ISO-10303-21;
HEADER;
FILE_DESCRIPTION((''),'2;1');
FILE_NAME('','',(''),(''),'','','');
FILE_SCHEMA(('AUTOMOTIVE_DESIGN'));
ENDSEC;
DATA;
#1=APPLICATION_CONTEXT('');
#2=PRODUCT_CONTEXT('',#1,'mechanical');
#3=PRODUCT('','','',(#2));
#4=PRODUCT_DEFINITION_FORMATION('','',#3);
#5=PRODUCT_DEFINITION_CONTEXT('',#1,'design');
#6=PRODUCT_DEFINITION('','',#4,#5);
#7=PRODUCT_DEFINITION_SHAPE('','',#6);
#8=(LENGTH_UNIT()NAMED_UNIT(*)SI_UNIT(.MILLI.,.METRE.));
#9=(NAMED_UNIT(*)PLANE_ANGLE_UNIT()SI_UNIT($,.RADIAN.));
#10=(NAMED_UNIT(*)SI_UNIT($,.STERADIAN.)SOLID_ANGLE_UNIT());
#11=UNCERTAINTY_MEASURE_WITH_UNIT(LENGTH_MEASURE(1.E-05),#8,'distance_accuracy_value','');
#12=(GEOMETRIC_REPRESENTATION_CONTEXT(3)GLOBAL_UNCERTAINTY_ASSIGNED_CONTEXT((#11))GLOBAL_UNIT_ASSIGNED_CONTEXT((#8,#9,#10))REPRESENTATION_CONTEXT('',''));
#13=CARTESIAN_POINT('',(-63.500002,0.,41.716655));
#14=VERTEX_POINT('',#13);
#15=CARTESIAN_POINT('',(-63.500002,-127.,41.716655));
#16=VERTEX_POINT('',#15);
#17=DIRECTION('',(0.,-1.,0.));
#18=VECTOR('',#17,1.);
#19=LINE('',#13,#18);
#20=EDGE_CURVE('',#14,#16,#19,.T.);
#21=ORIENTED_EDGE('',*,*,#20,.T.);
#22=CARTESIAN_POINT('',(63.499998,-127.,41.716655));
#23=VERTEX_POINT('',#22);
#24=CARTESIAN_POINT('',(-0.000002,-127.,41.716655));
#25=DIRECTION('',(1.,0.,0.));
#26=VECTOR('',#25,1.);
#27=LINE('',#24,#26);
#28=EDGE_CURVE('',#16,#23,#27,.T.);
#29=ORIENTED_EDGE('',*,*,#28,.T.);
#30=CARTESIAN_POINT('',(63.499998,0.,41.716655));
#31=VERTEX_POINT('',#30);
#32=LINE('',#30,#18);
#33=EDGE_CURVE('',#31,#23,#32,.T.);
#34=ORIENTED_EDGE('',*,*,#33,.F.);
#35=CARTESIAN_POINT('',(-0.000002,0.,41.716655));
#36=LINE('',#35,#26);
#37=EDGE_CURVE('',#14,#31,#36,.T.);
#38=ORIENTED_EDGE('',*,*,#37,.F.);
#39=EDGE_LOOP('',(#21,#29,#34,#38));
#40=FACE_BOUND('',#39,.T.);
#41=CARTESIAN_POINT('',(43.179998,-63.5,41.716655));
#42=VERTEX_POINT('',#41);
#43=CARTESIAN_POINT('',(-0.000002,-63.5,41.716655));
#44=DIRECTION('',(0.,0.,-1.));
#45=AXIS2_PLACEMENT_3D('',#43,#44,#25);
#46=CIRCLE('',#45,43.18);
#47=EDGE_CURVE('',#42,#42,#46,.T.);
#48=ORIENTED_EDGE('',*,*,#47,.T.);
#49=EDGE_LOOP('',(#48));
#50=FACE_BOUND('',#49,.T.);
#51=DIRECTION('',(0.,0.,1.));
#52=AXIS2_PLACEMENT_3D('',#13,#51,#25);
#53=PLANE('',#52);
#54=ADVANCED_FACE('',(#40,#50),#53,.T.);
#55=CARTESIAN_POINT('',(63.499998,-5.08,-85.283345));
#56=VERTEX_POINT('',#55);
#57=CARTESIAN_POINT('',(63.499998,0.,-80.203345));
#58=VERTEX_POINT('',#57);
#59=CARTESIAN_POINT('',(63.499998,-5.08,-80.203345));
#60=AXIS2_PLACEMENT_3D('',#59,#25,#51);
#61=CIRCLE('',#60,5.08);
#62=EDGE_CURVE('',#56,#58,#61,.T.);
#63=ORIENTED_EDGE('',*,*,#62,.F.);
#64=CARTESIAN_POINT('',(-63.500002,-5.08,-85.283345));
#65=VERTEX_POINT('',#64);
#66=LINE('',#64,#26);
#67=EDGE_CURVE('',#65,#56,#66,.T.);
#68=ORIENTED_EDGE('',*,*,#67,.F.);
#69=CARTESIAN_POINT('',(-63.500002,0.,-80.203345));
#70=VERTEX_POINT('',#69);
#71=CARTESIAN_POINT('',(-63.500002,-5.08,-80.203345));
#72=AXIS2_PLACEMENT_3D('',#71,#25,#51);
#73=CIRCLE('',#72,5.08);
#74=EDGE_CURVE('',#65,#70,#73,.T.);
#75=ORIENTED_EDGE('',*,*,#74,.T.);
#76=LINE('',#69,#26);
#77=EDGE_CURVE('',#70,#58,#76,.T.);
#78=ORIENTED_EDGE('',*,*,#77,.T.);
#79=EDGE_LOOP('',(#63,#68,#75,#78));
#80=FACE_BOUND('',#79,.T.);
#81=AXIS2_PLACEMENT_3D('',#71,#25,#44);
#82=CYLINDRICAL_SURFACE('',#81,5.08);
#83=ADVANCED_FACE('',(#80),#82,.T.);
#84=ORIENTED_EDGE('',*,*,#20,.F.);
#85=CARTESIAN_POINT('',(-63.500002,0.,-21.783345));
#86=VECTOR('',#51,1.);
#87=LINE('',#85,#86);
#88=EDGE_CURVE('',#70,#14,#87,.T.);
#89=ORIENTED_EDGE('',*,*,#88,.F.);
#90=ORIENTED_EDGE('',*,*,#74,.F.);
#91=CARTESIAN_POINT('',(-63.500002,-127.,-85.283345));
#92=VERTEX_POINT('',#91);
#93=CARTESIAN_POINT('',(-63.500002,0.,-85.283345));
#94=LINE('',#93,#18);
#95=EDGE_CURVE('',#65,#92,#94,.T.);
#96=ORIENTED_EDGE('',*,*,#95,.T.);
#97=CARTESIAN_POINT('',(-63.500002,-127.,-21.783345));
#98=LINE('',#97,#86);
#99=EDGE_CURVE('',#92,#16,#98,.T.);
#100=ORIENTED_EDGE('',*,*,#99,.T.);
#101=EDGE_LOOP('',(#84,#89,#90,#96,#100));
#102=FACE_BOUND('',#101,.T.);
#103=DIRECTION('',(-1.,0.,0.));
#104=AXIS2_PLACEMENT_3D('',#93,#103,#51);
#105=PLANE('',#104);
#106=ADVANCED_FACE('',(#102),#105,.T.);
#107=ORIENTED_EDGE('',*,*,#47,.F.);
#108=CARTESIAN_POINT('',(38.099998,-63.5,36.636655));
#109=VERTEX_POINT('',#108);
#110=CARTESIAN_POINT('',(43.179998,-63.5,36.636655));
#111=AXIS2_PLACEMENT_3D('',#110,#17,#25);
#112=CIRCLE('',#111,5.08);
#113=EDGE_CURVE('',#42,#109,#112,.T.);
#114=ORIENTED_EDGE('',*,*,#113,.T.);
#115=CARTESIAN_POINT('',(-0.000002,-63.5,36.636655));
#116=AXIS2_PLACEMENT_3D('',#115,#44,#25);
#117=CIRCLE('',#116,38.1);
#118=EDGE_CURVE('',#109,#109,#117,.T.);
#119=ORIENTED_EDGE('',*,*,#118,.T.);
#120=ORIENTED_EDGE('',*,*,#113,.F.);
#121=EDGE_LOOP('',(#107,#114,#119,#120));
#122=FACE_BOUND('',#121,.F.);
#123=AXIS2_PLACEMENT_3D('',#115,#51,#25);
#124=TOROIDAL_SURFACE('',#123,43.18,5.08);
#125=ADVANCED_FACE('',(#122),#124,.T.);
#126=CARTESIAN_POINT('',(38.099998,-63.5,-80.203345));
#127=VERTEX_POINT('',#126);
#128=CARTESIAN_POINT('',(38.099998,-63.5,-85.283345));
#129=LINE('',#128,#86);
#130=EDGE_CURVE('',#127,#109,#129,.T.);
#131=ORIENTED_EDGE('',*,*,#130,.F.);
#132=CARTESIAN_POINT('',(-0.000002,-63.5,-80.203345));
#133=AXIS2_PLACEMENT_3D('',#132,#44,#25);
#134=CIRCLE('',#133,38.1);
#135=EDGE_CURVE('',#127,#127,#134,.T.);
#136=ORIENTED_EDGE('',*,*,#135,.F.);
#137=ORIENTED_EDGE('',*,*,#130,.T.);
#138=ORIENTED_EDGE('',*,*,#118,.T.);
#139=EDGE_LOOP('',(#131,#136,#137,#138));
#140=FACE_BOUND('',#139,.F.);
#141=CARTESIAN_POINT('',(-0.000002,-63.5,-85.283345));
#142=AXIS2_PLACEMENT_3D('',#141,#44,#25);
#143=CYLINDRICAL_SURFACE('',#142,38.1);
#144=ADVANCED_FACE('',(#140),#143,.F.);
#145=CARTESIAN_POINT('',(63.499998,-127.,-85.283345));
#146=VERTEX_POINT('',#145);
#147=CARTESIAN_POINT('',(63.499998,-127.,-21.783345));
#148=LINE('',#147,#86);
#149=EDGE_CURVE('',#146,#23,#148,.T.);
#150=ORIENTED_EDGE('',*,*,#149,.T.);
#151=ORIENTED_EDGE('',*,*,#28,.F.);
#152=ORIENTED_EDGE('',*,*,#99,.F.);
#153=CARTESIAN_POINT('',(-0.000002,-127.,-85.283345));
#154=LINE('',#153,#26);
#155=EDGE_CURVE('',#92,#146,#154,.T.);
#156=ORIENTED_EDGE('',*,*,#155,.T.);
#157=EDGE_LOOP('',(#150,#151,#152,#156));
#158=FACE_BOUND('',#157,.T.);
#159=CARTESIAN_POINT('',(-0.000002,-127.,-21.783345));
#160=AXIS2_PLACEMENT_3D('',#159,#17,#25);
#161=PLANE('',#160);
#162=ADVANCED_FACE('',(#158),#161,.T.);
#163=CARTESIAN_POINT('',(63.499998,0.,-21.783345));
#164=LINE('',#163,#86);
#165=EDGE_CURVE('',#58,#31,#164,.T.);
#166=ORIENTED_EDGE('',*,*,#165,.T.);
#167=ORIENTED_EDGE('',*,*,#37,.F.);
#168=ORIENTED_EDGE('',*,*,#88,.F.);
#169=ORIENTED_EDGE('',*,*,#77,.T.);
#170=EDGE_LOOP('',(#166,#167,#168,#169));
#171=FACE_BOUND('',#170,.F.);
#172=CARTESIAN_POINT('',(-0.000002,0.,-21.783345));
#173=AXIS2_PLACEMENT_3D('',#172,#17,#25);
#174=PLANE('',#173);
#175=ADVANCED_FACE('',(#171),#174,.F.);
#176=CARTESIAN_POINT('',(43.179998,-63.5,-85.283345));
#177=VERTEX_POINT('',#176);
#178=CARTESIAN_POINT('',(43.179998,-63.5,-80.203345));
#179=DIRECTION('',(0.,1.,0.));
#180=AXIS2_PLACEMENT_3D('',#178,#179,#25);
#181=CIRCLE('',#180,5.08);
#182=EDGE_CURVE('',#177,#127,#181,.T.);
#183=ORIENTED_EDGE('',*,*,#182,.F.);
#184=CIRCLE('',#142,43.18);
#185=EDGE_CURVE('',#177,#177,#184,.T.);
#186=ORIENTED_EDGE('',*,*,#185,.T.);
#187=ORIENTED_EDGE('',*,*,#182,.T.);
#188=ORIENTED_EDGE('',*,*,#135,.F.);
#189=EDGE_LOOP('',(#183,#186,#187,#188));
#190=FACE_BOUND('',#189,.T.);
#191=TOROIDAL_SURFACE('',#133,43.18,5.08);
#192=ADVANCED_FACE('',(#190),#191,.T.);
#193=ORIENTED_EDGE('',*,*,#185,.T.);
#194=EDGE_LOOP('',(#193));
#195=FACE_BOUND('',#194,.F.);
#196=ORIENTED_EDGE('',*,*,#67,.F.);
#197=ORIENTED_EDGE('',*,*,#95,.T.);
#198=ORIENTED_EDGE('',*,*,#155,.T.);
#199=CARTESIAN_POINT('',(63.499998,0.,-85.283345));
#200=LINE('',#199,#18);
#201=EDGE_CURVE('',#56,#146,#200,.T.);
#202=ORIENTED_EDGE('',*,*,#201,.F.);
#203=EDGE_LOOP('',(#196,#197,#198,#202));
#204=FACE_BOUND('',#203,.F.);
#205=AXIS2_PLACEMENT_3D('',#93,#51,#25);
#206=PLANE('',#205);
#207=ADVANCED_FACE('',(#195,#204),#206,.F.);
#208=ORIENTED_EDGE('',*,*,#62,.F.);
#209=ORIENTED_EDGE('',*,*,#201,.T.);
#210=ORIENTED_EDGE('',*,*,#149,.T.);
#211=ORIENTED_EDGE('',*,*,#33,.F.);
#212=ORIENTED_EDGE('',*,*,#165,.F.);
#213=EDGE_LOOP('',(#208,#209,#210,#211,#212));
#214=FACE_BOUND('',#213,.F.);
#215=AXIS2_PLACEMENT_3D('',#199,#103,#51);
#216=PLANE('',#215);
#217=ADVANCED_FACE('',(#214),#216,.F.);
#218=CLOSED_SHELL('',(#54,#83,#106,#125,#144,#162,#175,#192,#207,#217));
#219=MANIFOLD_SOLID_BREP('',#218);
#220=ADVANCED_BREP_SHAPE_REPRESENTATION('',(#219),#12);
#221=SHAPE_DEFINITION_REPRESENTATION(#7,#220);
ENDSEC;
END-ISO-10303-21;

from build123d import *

# Parameters (mm, degrees)
F0_W     = 127
F0_H     = 127
F1_DEPTH = 127
F2_R     = 38.1
F3_DEPTH = 127.001
F4_R     = 5.08


with BuildPart() as f1:
    # F0 (on Front) → F1 (new body)
    with BuildSketch(Plane.XZ):
        with Locations((-2e-06, -21.783345)):
            Rectangle(F0_W, F0_H)
    extrude(amount=F1_DEPTH)

    # F2 (on face) → F3 (cut, through all)
    with BuildSketch(Plane(origin=(0, 0, -85.283345), x_dir=(1, 0, 0), z_dir=(0, 0, -1))):
        with Locations((-2e-06, 63.5)):
            Circle(F2_R)
    extrude(amount=-F3_DEPTH, mode=Mode.SUBTRACT)

    # F4
    f4_edges = [f1.edges().sort_by_distance(p)[0] for p in [
        (-38.100002, -63.5, -85.283345),
        (38.099998, -63.5, -21.783345),
        (-38.100002, -63.5, 41.716655),
        (-2e-06, 0, -85.283345),
    ]]
    fillet(f4_edges, radius=F4_R)


solid = f1.part
